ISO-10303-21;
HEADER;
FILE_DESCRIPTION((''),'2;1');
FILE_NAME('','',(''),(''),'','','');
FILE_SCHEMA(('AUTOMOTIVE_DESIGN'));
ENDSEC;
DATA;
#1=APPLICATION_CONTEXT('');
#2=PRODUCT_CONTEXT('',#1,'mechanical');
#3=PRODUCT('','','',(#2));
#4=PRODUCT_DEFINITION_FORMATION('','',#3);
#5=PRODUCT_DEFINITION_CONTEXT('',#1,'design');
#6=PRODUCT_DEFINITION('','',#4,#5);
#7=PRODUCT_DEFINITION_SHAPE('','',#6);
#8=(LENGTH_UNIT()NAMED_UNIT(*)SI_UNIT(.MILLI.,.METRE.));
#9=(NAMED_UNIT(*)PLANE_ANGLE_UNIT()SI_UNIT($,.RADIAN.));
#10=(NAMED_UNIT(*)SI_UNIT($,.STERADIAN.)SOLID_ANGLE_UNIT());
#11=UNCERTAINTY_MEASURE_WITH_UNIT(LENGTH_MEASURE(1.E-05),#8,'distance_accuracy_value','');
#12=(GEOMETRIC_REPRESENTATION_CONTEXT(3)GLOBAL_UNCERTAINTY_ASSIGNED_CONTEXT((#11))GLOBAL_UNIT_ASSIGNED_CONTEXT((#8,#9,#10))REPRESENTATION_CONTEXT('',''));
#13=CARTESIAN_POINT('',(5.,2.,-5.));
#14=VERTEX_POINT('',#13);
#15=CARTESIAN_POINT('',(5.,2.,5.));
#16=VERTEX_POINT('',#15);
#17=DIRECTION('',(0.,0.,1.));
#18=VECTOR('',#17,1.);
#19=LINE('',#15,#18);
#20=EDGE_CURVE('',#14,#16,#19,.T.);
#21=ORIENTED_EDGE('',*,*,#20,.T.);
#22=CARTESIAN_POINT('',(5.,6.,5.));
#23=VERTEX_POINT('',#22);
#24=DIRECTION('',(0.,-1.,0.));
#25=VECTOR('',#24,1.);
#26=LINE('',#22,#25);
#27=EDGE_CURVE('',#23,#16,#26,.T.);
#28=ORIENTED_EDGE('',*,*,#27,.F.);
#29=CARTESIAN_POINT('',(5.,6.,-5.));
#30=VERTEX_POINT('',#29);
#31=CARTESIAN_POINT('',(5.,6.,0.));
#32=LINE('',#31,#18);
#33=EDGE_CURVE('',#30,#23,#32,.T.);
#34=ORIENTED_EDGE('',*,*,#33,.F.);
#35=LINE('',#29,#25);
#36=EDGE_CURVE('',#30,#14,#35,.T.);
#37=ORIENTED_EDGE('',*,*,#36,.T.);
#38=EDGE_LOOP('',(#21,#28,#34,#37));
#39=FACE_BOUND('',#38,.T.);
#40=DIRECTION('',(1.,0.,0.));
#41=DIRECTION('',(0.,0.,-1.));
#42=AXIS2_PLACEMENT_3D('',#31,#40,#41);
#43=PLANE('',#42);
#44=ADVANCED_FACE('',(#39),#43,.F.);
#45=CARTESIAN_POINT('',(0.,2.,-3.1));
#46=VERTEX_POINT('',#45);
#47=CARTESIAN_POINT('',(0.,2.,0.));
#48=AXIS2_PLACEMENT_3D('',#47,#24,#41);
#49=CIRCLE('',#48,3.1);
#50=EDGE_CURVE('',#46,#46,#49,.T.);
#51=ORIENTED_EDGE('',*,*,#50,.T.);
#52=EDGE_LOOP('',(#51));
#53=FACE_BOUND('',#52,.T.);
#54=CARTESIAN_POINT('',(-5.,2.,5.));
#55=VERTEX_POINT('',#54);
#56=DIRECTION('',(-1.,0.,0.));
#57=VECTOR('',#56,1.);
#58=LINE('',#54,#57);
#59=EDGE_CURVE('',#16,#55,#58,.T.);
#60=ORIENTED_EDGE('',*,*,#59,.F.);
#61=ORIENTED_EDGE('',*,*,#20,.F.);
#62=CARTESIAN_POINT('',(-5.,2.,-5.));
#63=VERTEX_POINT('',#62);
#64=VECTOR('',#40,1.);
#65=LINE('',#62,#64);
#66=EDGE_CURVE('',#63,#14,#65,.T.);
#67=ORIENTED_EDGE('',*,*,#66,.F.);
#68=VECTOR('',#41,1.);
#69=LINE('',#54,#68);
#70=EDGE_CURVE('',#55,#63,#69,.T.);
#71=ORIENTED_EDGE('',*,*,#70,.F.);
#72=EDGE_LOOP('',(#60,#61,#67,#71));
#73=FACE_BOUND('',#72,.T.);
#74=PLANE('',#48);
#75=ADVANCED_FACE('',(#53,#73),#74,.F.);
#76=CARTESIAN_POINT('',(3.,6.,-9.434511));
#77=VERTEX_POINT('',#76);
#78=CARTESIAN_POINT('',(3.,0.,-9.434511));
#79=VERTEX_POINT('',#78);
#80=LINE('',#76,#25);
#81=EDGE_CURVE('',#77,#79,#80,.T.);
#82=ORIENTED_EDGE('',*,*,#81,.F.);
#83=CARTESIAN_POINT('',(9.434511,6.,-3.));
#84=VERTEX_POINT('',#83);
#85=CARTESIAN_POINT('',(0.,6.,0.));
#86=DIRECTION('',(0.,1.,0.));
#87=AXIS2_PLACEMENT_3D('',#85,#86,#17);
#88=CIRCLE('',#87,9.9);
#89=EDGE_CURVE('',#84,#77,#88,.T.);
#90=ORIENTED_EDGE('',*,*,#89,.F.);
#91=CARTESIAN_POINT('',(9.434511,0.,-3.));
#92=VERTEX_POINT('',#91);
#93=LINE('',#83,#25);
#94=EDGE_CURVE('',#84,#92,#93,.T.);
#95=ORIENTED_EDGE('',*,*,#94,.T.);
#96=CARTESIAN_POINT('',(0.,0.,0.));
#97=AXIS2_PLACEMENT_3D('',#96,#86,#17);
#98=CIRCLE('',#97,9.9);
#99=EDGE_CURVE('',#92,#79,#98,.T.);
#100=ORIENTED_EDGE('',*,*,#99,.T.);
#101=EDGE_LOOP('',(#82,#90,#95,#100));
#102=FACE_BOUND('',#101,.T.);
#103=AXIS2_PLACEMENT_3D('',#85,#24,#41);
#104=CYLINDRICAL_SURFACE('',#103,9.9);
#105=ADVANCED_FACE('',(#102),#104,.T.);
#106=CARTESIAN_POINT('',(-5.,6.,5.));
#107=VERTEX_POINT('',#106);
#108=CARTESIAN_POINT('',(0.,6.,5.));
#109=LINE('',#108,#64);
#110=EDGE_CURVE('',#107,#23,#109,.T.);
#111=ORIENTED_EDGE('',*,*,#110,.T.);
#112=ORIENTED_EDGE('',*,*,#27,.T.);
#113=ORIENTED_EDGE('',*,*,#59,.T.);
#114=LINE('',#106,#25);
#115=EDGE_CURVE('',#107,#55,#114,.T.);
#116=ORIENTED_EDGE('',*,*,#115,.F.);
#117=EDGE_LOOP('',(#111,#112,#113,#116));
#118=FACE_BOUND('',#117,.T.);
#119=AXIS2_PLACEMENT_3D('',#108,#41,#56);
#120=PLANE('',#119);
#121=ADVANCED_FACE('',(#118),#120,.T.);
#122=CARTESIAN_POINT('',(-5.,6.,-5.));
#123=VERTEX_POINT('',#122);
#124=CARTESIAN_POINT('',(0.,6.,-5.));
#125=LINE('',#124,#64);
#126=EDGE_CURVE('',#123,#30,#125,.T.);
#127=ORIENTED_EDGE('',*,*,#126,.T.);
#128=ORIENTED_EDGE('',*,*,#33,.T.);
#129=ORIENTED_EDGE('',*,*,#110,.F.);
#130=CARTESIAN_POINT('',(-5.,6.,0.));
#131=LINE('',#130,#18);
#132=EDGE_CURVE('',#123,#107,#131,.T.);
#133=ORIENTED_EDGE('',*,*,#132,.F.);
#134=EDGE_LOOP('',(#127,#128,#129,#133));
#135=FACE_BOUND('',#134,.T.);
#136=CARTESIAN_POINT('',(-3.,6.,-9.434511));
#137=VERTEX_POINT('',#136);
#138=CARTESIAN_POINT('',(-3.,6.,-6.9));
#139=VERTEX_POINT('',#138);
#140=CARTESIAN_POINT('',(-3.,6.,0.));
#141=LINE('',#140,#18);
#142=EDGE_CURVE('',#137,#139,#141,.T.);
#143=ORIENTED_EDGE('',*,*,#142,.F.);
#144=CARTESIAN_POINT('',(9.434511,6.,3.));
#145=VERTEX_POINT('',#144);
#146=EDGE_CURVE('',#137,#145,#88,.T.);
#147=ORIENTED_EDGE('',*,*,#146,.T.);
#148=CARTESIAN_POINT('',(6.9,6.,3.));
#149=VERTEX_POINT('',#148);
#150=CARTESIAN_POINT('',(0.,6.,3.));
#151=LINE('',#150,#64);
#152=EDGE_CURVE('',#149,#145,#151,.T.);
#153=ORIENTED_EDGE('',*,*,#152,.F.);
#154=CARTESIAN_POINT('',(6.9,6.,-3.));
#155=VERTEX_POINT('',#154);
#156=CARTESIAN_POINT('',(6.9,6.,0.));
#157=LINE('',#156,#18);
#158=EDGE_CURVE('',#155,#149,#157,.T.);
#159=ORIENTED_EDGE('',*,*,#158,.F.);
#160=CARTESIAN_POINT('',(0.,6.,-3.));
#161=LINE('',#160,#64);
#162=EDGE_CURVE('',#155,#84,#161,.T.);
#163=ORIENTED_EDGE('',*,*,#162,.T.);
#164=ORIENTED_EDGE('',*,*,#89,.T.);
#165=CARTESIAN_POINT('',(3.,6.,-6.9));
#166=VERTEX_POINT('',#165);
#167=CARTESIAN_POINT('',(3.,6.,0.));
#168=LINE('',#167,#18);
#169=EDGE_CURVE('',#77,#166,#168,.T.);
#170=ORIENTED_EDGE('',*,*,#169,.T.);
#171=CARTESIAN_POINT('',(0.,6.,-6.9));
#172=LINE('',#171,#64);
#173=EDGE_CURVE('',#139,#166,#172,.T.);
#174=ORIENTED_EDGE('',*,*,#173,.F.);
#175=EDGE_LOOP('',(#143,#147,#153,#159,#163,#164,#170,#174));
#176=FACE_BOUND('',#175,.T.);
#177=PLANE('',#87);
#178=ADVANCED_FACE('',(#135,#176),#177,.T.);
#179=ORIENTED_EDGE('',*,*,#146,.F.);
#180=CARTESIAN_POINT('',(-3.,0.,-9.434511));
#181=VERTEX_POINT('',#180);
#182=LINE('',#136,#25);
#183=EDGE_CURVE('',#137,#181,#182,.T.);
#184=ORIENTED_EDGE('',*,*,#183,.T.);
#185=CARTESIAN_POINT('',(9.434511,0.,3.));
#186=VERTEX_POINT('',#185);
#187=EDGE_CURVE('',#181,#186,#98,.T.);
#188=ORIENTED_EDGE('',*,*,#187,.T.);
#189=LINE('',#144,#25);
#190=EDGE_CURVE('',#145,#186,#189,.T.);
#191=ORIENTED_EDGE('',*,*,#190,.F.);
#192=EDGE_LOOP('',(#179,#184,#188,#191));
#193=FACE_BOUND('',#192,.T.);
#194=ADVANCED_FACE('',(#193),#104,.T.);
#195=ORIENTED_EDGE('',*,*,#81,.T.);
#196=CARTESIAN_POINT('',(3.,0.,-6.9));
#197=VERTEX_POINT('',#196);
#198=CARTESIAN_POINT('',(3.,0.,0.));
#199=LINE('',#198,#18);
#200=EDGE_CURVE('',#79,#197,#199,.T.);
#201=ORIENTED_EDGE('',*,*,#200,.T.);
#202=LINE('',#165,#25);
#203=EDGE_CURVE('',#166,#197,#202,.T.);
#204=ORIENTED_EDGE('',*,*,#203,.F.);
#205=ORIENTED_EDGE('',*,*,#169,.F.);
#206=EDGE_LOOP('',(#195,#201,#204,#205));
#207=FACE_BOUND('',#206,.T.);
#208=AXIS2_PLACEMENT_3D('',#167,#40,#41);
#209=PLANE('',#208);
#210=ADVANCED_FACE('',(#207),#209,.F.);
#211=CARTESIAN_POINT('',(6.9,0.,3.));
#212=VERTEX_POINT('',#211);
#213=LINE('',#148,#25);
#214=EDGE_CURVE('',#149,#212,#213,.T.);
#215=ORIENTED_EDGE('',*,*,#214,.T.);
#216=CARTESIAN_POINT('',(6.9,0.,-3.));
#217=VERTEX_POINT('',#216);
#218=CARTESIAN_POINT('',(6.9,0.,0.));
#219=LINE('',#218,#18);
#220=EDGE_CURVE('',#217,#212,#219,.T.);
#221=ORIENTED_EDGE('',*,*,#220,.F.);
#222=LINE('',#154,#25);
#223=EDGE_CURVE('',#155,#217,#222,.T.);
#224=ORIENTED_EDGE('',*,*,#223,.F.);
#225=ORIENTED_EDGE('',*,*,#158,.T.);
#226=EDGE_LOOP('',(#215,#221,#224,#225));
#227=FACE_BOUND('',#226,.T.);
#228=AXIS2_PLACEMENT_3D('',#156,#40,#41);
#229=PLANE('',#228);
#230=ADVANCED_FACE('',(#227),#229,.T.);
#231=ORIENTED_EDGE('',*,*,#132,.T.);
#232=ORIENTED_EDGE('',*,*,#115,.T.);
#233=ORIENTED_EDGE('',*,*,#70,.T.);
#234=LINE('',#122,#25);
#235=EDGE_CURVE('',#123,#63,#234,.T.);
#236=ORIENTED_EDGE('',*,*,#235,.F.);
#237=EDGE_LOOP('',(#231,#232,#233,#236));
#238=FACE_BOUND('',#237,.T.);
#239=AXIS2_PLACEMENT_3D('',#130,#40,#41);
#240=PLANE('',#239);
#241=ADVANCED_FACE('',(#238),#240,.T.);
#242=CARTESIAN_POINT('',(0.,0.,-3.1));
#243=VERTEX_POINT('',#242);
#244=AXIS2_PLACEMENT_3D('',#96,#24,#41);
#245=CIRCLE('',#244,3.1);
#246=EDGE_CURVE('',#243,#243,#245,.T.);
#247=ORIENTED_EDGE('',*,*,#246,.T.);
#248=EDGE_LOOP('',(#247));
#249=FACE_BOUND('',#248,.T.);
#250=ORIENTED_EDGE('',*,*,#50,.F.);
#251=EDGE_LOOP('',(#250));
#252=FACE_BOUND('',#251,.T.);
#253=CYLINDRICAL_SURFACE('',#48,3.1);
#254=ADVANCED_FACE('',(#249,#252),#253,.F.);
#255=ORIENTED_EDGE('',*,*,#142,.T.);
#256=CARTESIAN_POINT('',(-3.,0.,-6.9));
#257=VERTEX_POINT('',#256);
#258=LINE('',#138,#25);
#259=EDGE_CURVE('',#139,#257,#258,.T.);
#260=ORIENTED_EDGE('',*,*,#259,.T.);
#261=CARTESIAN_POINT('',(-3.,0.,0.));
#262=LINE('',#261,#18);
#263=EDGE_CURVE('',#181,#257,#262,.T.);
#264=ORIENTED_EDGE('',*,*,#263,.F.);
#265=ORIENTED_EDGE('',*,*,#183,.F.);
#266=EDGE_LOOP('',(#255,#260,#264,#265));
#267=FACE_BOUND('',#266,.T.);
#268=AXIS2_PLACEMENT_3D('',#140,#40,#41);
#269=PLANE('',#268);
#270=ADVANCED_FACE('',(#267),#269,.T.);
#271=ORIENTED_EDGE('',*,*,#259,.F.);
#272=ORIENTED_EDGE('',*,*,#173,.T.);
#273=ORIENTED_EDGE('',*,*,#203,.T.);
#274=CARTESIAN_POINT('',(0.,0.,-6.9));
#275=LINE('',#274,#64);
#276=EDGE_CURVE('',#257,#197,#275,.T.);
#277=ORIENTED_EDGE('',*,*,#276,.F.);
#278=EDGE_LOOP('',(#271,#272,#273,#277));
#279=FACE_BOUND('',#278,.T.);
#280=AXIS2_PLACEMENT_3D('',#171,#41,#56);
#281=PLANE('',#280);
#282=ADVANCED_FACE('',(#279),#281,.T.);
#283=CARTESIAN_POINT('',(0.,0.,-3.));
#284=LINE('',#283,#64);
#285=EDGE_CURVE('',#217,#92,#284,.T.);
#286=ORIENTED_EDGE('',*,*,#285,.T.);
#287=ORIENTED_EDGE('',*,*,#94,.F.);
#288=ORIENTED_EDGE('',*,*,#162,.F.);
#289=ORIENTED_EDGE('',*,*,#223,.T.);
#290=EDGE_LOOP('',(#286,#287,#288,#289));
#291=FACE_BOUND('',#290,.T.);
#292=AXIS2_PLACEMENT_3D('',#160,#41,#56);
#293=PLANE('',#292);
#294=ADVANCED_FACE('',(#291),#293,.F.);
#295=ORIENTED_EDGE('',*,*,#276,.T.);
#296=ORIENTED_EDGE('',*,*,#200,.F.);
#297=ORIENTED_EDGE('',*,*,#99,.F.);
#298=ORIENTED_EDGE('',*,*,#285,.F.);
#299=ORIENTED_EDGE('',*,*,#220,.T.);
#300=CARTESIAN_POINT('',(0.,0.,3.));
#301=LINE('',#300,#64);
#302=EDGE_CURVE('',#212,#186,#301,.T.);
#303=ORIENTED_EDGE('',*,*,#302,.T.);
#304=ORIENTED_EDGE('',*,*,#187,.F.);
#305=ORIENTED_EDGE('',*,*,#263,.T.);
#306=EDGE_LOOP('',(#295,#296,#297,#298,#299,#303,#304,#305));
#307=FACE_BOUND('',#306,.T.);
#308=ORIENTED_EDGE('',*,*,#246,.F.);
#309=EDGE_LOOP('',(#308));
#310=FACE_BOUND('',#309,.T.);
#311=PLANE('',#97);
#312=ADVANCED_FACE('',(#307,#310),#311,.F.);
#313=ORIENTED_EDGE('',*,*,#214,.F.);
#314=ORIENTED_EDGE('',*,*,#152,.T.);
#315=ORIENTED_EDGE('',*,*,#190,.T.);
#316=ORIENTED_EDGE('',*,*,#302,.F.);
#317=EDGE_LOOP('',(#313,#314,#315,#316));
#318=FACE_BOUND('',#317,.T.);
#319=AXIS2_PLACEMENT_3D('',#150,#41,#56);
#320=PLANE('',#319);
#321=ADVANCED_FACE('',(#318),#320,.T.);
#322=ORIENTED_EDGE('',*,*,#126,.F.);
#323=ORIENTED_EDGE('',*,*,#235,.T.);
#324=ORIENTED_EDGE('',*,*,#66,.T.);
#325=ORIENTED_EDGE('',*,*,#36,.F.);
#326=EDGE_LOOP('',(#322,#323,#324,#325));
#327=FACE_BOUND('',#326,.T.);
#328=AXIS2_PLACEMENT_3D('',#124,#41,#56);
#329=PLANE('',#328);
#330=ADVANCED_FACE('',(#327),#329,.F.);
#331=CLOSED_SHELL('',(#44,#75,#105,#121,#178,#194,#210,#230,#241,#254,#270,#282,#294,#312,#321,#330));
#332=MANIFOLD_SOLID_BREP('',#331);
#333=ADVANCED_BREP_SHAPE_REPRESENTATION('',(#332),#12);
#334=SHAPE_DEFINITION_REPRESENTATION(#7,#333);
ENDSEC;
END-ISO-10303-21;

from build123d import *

# Parameters (mm, degrees)
SKETCH1_W           = 10
SKETCH1_H           = 10
BOSS_EXTRUDE1_DEPTH = 6
SKETCH3_W           = 10
SKETCH3_H           = 10
SKETCH3_R           = 3.1
BOSS_EXTRUDE2_DEPTH = 2


with BuildPart() as part:
    # Sketch1 → Boss-Extrude1 (new body)
    with BuildSketch(Plane(origin=(0, 0, 0), x_dir=(1, 0, 0), z_dir=(0, 1, 0))):
        with BuildLine():
            Line((6.9, -3), (6.9, 3))
            Line((6.9, 3), (9.434511116, 3))
            ThreePointArc((9.434511116, 3), (7.000357134, 7.000357134), (3, 9.434511116))
            Line((3, 9.434511116), (3, 6.9))
            Line((3, 6.9), (-3, 6.9))
            Line((-3, 6.9), (-3, 9.434511116))
            ThreePointArc((-3, 9.434511116), (-7.000357134, -7.000357134), (9.434511116, -3))
            Line((9.434511116, -3), (6.9, -3))
        make_face()
        Rectangle(SKETCH1_W, SKETCH1_H, mode=Mode.SUBTRACT)
    extrude(amount=BOSS_EXTRUDE1_DEPTH)

    # Sketch3 → Boss-Extrude2 (add)
    with BuildSketch(Plane.XZ):
        Rectangle(SKETCH3_W, SKETCH3_H)
        with Locations(Location((0, 0, 0), (0, 0, 270))):
            Circle(SKETCH3_R, mode=Mode.SUBTRACT)
    extrude(amount=-BOSS_EXTRUDE2_DEPTH)


solid = part.part
